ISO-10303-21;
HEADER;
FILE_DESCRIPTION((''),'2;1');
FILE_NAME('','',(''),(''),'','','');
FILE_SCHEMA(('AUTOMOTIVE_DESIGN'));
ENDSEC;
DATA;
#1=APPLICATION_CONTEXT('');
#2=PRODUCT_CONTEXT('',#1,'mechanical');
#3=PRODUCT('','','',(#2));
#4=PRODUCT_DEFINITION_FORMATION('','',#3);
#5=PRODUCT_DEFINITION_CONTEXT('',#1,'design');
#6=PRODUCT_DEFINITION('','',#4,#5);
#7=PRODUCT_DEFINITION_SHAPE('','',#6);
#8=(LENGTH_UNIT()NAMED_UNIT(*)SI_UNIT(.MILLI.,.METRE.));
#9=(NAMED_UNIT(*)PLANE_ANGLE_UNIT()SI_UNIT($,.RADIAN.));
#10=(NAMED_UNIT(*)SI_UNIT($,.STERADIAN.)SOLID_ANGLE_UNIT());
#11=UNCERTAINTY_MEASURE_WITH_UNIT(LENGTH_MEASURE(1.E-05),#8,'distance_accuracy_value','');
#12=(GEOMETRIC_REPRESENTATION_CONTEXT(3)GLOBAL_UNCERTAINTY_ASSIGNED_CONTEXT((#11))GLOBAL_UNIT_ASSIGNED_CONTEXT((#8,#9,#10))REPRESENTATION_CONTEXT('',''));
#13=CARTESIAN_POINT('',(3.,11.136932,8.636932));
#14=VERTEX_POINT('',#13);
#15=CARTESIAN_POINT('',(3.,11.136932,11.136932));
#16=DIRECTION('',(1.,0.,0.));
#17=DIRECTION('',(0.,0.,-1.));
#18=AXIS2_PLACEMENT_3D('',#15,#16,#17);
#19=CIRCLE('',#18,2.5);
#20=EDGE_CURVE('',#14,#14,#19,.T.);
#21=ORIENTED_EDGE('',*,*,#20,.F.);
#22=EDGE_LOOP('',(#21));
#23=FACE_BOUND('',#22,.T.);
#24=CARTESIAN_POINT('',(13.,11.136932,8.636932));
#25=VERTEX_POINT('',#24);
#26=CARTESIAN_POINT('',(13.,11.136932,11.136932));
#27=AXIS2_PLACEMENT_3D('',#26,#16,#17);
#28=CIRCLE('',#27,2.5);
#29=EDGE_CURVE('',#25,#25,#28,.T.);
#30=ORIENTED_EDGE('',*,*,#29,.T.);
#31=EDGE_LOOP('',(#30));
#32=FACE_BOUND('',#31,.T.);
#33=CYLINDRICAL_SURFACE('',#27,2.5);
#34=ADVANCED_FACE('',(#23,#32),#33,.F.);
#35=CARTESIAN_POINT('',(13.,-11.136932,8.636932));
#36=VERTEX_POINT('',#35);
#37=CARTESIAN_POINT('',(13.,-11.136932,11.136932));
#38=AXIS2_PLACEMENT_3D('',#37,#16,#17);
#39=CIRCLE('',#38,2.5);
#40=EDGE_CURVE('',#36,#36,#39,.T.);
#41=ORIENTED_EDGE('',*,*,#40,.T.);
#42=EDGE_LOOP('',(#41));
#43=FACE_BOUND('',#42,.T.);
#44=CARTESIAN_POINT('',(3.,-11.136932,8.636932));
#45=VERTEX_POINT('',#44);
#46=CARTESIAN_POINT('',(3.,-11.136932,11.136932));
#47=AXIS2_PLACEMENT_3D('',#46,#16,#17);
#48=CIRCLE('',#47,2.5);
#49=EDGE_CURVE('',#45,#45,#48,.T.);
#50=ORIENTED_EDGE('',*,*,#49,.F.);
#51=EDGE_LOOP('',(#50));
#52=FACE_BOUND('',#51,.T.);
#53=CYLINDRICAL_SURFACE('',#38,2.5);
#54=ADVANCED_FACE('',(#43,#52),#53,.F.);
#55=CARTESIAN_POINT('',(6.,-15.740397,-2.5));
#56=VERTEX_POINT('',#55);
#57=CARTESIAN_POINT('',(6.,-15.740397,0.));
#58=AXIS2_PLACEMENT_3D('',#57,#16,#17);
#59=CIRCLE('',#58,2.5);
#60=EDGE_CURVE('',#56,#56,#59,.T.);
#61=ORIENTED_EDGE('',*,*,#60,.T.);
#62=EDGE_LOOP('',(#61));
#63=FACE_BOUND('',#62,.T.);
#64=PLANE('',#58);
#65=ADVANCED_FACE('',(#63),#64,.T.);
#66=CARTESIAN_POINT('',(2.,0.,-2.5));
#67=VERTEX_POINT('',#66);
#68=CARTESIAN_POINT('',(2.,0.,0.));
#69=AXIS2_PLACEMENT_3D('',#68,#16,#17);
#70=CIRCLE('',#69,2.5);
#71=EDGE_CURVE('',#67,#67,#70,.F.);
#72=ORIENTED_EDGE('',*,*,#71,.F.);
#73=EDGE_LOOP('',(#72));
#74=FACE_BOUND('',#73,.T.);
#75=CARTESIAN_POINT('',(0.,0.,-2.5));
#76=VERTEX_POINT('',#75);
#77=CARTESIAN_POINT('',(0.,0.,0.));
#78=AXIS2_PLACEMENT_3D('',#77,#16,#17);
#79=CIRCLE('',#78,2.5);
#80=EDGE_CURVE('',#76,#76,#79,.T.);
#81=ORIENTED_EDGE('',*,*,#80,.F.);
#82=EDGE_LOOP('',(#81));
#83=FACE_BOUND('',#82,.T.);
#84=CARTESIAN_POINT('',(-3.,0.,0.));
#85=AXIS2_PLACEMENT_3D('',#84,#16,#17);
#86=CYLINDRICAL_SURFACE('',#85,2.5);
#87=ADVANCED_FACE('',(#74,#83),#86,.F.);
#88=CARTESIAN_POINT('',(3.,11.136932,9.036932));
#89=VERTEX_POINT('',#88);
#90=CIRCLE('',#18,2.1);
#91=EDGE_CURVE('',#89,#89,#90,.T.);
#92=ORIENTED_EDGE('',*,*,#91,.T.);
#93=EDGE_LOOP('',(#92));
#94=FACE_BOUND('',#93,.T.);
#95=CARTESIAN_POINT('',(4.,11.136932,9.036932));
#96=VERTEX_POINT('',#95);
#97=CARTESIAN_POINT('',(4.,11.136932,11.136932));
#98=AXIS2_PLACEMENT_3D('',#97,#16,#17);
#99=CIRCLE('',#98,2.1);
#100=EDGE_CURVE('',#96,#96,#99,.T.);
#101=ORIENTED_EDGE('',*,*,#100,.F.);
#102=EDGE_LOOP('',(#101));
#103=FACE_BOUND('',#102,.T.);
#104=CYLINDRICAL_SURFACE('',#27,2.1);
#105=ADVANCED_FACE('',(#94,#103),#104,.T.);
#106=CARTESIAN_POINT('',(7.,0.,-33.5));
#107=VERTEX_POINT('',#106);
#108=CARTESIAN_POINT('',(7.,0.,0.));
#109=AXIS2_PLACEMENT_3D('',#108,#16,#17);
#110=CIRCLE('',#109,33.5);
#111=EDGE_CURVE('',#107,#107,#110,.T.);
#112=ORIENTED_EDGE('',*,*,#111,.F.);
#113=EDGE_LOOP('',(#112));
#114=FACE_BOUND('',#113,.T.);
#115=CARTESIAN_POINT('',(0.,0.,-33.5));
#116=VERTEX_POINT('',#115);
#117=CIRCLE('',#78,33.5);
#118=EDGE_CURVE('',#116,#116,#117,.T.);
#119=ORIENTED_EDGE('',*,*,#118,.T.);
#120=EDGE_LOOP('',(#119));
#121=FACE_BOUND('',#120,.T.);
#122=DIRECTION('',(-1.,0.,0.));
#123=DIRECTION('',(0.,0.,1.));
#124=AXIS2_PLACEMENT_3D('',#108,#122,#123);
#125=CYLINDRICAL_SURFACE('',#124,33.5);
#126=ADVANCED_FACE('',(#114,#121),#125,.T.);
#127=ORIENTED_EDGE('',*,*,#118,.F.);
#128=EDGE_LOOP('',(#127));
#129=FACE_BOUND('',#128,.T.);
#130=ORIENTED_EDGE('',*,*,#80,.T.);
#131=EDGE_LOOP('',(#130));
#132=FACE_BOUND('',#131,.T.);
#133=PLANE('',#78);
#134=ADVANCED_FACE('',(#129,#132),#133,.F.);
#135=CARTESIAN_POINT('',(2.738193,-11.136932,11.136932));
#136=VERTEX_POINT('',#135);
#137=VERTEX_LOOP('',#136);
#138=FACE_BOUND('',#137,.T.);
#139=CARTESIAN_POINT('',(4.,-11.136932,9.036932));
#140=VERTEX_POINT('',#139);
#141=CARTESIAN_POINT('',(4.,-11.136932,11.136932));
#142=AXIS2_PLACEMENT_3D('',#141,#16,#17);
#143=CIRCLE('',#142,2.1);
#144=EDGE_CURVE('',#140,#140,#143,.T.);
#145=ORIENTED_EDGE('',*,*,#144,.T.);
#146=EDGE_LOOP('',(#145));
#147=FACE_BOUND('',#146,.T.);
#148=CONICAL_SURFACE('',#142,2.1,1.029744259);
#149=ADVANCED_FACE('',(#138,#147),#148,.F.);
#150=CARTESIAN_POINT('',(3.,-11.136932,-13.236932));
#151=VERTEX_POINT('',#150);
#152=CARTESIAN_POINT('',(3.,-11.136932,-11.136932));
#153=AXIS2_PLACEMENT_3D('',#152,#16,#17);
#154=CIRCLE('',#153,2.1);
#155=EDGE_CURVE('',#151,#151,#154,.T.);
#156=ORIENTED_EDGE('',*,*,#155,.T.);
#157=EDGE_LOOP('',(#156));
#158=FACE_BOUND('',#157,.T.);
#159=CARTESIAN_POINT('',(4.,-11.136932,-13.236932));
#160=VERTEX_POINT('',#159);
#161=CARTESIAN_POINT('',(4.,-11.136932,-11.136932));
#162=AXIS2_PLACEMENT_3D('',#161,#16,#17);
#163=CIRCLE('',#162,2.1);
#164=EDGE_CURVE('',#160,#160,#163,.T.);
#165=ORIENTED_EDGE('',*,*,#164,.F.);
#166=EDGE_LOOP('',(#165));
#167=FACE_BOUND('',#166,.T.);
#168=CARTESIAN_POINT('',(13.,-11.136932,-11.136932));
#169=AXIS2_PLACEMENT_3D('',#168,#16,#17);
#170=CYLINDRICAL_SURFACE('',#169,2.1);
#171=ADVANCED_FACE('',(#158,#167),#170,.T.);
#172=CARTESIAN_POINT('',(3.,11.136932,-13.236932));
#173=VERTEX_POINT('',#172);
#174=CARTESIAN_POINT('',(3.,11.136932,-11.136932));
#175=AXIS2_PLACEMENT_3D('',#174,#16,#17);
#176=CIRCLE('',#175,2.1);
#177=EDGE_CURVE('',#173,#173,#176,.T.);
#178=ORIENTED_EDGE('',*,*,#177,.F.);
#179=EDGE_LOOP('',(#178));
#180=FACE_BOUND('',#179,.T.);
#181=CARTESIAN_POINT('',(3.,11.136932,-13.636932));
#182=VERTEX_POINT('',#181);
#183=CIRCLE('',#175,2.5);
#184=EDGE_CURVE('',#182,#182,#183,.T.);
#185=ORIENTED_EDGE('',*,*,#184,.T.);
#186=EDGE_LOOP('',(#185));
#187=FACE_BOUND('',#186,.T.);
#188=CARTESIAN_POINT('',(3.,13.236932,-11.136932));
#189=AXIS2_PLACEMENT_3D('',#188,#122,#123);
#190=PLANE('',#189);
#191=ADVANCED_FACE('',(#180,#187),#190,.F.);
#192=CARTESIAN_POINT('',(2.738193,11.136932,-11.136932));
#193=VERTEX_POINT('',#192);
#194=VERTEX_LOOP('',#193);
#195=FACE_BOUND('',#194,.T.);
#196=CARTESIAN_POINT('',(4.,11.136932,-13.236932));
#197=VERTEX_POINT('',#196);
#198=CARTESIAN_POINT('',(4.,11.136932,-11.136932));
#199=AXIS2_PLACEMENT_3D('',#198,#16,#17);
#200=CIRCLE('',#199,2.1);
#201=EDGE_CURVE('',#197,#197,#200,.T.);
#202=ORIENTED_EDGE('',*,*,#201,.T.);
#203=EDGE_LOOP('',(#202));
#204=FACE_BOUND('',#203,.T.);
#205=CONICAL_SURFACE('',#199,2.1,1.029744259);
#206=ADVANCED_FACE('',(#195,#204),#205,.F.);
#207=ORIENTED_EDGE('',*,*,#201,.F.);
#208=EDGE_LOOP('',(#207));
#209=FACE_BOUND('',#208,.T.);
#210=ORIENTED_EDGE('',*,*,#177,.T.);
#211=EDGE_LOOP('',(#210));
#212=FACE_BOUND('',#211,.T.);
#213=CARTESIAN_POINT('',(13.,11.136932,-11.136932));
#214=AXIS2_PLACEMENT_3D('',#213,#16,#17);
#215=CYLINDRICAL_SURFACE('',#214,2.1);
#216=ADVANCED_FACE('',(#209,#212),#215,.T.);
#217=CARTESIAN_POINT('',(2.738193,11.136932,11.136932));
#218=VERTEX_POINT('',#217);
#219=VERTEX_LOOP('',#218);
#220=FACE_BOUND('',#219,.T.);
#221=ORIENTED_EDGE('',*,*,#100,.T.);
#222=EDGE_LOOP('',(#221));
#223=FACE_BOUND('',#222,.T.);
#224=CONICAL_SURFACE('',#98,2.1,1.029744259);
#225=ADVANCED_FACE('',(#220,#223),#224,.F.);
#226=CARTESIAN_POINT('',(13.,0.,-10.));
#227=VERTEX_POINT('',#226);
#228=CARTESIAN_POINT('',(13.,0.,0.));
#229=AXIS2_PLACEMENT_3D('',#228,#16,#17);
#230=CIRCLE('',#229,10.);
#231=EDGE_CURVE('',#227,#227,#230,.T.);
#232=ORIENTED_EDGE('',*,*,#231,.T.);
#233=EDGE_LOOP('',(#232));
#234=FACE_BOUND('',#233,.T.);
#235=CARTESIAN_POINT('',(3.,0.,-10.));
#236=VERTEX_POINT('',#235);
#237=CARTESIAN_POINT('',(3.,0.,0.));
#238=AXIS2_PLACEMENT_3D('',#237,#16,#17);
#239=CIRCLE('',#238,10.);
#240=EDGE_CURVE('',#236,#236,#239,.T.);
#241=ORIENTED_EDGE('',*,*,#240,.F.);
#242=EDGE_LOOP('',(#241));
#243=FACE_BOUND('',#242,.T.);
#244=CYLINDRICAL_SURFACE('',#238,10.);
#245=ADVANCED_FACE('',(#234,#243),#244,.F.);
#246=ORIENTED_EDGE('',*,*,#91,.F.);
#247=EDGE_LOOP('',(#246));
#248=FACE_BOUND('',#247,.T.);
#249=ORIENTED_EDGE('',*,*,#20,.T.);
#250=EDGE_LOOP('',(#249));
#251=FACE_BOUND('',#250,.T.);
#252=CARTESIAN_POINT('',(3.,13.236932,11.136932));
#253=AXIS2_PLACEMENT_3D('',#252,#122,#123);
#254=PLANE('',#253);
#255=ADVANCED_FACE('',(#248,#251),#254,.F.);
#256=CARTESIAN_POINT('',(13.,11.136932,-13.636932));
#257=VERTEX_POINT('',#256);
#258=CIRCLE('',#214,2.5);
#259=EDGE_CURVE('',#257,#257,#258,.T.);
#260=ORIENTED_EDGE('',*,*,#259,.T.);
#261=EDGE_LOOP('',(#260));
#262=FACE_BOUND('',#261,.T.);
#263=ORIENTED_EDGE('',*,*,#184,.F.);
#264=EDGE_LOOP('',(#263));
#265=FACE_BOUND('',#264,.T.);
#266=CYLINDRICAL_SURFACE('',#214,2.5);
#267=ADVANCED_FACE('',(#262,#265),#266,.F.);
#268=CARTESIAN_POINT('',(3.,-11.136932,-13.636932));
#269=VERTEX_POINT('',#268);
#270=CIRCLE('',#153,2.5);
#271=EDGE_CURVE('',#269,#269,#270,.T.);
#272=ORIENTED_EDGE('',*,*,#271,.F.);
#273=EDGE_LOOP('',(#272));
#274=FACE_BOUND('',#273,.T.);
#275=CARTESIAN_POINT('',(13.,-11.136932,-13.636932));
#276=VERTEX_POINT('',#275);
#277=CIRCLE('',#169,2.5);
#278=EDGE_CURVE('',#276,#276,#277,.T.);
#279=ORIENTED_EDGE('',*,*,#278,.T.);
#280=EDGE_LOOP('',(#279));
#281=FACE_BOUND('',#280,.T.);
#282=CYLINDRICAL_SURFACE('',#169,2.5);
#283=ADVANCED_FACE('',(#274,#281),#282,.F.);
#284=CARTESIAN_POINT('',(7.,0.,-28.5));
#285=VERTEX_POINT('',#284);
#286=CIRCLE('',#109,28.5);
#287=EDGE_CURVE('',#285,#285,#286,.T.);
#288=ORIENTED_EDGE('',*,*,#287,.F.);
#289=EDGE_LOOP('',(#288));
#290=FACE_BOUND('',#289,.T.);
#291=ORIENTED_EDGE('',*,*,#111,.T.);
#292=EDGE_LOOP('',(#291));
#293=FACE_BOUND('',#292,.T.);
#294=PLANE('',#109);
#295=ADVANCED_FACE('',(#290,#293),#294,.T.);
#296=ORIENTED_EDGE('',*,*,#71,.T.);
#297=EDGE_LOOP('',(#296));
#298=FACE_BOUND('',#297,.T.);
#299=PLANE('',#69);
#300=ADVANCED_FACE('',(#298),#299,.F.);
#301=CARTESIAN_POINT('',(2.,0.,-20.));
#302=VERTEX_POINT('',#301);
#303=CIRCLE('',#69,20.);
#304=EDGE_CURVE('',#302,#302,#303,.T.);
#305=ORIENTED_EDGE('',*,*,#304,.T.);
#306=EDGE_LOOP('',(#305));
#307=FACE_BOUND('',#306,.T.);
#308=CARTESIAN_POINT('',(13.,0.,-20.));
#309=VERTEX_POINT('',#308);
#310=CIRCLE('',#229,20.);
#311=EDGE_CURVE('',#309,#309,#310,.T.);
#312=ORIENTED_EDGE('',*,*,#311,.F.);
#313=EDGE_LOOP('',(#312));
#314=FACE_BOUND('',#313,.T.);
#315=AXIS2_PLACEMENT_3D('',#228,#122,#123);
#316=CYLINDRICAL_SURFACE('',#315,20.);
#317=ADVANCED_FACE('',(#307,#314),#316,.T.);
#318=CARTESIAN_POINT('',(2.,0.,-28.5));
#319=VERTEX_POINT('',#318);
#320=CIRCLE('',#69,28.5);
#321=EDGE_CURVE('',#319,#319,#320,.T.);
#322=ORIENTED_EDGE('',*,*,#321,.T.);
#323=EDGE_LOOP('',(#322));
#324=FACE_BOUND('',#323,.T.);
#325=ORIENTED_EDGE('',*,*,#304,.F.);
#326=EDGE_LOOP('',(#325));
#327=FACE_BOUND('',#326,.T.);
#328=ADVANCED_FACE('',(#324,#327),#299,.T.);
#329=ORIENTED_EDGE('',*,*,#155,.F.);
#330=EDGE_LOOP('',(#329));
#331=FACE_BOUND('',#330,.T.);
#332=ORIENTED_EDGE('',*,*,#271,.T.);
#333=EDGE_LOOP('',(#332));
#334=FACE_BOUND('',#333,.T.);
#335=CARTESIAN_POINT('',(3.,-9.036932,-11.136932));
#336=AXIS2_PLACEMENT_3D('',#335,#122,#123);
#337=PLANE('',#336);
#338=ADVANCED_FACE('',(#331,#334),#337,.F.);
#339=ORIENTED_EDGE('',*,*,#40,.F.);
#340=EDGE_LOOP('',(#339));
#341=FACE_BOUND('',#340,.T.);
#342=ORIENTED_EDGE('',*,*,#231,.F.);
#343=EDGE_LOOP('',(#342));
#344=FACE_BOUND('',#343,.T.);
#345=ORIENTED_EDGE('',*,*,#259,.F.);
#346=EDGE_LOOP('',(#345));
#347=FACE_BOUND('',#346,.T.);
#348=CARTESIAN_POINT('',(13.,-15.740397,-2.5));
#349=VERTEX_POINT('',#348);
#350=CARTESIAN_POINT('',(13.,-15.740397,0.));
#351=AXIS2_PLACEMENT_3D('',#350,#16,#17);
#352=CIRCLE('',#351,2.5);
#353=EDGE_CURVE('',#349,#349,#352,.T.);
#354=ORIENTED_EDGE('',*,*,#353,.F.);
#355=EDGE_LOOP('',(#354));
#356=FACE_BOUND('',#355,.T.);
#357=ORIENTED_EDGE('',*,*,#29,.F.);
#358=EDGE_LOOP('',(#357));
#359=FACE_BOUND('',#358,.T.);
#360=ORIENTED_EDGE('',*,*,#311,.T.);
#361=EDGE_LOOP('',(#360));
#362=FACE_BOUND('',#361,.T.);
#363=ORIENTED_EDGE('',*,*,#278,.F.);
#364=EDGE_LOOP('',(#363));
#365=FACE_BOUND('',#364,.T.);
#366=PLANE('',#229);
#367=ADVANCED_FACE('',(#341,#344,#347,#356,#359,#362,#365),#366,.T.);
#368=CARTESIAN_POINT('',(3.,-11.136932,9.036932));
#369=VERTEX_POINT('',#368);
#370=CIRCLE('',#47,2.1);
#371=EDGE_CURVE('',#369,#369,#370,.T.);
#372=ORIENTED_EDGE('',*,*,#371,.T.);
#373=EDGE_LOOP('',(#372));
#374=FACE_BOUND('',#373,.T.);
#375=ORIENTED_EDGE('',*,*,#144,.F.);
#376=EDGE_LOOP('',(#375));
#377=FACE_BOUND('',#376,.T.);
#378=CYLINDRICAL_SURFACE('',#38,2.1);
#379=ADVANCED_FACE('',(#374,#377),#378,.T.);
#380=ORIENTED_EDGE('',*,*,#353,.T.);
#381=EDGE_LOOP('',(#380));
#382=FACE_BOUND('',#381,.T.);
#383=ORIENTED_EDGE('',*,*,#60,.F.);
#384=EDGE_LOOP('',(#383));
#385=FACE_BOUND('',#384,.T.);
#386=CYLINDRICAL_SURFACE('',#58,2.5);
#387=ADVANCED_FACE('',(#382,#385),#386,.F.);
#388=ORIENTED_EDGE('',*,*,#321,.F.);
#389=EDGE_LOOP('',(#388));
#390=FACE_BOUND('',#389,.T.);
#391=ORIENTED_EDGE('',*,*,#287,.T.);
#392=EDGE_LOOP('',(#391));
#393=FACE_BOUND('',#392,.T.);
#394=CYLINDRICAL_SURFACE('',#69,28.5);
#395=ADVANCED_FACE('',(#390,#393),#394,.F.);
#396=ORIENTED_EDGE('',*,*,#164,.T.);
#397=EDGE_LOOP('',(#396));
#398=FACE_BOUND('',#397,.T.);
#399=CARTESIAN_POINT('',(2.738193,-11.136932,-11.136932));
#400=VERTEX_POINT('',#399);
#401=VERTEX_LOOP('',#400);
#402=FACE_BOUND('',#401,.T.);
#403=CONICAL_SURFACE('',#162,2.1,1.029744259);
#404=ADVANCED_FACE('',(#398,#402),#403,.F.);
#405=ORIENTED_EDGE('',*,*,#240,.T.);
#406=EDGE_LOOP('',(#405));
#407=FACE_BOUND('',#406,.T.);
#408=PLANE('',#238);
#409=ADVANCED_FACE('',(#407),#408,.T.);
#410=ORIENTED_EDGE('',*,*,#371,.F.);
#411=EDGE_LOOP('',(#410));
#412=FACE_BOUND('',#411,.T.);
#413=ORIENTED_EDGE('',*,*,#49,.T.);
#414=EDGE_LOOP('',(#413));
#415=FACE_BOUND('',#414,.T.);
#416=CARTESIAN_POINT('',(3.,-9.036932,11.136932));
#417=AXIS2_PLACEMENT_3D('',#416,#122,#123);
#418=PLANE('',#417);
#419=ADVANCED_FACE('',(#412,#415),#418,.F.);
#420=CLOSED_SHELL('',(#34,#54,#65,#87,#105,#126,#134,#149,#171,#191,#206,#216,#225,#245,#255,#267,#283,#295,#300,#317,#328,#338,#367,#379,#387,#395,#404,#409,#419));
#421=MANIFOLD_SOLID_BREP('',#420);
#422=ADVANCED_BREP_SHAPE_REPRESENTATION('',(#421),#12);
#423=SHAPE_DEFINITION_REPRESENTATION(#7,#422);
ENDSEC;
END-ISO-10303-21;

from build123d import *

# Parameters (mm, degrees)
SKETCH_1_R          = 33.5
EXTRUDE_1_DEPTH     = 7
SKETCH_3_R          = 28.5
CUT_EXTRUDE_1_DEPTH = 5
SKETCH_4_R          = 2.5
CUT_EXTRUDE_2_DEPTH = 5
SKETCH_5_R          = 20
EXTRUDE_2_DEPTH     = 11
SKETCH_6_R          = 10
CUT_EXTRUDE_5_DEPTH = 10
M5X0_8_1_AT_2_COUNT = 2
M5X0_8_1_AT_2_PITCH = 31.5
M5X0_8_1_AT_3_COUNT = 2
M5X0_8_1_AT_3_PITCH = 22.273863607
M5X0_8_1_AT_4_COUNT = 2
M5X0_8_1_AT_4_PITCH = 22.273863607
SKETCH_7_R          = 2.5
CUT_EXTRUDE_6_DEPTH = 7


with BuildPart() as part:
    # ｽｹｯﾁ1 → 押し出し1 (new body)
    with BuildSketch(Plane(origin=(0, 0, 0), x_dir=(0, 0, -1), z_dir=(1, 0, 0))):
        Circle(SKETCH_1_R)
    extrude(amount=EXTRUDE_1_DEPTH)

    # ｽｹｯﾁ3 → ｶｯﾄ - 押し出し1 (cut)
    with BuildSketch(Plane(origin=(7, 0, 0), x_dir=(0, 0, -1), z_dir=(1, 0, 0))):
        Circle(SKETCH_3_R)
    extrude(amount=-CUT_EXTRUDE_1_DEPTH, mode=Mode.SUBTRACT)

    # ｽｹｯﾁ4 → ｶｯﾄ - 押し出し2 (cut)
    with BuildSketch(Plane(origin=(2, 0, 0), x_dir=(0, 0, -1), z_dir=(1, 0, 0))):
        Circle(SKETCH_4_R)
    extrude(amount=-CUT_EXTRUDE_2_DEPTH, mode=Mode.SUBTRACT)

    # ｽｹｯﾁ5 → 押し出し2 (add)
    with BuildSketch(Plane(origin=(2, 0, 0), x_dir=(0, 0, -1), z_dir=(1, 0, 0))):
        Circle(SKETCH_5_R)
    extrude(amount=EXTRUDE_2_DEPTH)

    # ｽｹｯﾁ6 → ｶｯﾄ - 押し出し5 (cut)
    with BuildSketch(Plane(origin=(13, 0, 0), x_dir=(0, 0, -1), z_dir=(1, 0, 0))):
        Circle(SKETCH_6_R)
    extrude(amount=-CUT_EXTRUDE_5_DEPTH, mode=Mode.SUBTRACT)

    # ｽｹｯﾁ10 → M5x0.8 ねじ穴1 (revolve, cut)
    with BuildSketch(Plane(origin=(13, 11.136931804, 11.136931804), x_dir=(0, 0, -1), z_dir=(0, 1, 0))):
        Polygon((0, 0), (0, 10.2618073), (2.1, 9), (2.1, 10), (2.5, 10), (2.5, 0), align=None)
    m5x0_8_1 = revolve(axis=Axis((19.35, 11.136931804, 11.136931804), (-1, 0, 0)), mode=Mode.SUBTRACT)

    # M5x0.8 ねじ穴1 at 2: M5x0.8 ねじ穴1 ×2
    with Locations(*[Vector(0, -0.7071067811865511, -0.707106781186544) * (i * M5X0_8_1_AT_2_PITCH) for i in range(1, M5X0_8_1_AT_2_COUNT)]):
        add(m5x0_8_1, mode=Mode.SUBTRACT)

    # M5x0.8 ねじ穴1 at 3: M5x0.8 ねじ穴1 ×2
    with Locations(*[(0, -i * M5X0_8_1_AT_3_PITCH, 0) for i in range(1, M5X0_8_1_AT_3_COUNT)]):
        add(m5x0_8_1, mode=Mode.SUBTRACT)

    # M5x0.8 ねじ穴1 at 4: M5x0.8 ねじ穴1 ×2
    with Locations(*[(0, 0, -i * M5X0_8_1_AT_4_PITCH) for i in range(1, M5X0_8_1_AT_4_COUNT)]):
        add(m5x0_8_1, mode=Mode.SUBTRACT)

    # ｽｹｯﾁ7 → ｶｯﾄ - 押し出し6 (cut)
    with BuildSketch(Plane(origin=(13, 0, 0), x_dir=(0, 0, -1), z_dir=(1, 0, 0))):
        with Locations((0, -15.740397433)):
            Circle(SKETCH_7_R)
    extrude(amount=-CUT_EXTRUDE_6_DEPTH, mode=Mode.SUBTRACT)


solid = part.part
